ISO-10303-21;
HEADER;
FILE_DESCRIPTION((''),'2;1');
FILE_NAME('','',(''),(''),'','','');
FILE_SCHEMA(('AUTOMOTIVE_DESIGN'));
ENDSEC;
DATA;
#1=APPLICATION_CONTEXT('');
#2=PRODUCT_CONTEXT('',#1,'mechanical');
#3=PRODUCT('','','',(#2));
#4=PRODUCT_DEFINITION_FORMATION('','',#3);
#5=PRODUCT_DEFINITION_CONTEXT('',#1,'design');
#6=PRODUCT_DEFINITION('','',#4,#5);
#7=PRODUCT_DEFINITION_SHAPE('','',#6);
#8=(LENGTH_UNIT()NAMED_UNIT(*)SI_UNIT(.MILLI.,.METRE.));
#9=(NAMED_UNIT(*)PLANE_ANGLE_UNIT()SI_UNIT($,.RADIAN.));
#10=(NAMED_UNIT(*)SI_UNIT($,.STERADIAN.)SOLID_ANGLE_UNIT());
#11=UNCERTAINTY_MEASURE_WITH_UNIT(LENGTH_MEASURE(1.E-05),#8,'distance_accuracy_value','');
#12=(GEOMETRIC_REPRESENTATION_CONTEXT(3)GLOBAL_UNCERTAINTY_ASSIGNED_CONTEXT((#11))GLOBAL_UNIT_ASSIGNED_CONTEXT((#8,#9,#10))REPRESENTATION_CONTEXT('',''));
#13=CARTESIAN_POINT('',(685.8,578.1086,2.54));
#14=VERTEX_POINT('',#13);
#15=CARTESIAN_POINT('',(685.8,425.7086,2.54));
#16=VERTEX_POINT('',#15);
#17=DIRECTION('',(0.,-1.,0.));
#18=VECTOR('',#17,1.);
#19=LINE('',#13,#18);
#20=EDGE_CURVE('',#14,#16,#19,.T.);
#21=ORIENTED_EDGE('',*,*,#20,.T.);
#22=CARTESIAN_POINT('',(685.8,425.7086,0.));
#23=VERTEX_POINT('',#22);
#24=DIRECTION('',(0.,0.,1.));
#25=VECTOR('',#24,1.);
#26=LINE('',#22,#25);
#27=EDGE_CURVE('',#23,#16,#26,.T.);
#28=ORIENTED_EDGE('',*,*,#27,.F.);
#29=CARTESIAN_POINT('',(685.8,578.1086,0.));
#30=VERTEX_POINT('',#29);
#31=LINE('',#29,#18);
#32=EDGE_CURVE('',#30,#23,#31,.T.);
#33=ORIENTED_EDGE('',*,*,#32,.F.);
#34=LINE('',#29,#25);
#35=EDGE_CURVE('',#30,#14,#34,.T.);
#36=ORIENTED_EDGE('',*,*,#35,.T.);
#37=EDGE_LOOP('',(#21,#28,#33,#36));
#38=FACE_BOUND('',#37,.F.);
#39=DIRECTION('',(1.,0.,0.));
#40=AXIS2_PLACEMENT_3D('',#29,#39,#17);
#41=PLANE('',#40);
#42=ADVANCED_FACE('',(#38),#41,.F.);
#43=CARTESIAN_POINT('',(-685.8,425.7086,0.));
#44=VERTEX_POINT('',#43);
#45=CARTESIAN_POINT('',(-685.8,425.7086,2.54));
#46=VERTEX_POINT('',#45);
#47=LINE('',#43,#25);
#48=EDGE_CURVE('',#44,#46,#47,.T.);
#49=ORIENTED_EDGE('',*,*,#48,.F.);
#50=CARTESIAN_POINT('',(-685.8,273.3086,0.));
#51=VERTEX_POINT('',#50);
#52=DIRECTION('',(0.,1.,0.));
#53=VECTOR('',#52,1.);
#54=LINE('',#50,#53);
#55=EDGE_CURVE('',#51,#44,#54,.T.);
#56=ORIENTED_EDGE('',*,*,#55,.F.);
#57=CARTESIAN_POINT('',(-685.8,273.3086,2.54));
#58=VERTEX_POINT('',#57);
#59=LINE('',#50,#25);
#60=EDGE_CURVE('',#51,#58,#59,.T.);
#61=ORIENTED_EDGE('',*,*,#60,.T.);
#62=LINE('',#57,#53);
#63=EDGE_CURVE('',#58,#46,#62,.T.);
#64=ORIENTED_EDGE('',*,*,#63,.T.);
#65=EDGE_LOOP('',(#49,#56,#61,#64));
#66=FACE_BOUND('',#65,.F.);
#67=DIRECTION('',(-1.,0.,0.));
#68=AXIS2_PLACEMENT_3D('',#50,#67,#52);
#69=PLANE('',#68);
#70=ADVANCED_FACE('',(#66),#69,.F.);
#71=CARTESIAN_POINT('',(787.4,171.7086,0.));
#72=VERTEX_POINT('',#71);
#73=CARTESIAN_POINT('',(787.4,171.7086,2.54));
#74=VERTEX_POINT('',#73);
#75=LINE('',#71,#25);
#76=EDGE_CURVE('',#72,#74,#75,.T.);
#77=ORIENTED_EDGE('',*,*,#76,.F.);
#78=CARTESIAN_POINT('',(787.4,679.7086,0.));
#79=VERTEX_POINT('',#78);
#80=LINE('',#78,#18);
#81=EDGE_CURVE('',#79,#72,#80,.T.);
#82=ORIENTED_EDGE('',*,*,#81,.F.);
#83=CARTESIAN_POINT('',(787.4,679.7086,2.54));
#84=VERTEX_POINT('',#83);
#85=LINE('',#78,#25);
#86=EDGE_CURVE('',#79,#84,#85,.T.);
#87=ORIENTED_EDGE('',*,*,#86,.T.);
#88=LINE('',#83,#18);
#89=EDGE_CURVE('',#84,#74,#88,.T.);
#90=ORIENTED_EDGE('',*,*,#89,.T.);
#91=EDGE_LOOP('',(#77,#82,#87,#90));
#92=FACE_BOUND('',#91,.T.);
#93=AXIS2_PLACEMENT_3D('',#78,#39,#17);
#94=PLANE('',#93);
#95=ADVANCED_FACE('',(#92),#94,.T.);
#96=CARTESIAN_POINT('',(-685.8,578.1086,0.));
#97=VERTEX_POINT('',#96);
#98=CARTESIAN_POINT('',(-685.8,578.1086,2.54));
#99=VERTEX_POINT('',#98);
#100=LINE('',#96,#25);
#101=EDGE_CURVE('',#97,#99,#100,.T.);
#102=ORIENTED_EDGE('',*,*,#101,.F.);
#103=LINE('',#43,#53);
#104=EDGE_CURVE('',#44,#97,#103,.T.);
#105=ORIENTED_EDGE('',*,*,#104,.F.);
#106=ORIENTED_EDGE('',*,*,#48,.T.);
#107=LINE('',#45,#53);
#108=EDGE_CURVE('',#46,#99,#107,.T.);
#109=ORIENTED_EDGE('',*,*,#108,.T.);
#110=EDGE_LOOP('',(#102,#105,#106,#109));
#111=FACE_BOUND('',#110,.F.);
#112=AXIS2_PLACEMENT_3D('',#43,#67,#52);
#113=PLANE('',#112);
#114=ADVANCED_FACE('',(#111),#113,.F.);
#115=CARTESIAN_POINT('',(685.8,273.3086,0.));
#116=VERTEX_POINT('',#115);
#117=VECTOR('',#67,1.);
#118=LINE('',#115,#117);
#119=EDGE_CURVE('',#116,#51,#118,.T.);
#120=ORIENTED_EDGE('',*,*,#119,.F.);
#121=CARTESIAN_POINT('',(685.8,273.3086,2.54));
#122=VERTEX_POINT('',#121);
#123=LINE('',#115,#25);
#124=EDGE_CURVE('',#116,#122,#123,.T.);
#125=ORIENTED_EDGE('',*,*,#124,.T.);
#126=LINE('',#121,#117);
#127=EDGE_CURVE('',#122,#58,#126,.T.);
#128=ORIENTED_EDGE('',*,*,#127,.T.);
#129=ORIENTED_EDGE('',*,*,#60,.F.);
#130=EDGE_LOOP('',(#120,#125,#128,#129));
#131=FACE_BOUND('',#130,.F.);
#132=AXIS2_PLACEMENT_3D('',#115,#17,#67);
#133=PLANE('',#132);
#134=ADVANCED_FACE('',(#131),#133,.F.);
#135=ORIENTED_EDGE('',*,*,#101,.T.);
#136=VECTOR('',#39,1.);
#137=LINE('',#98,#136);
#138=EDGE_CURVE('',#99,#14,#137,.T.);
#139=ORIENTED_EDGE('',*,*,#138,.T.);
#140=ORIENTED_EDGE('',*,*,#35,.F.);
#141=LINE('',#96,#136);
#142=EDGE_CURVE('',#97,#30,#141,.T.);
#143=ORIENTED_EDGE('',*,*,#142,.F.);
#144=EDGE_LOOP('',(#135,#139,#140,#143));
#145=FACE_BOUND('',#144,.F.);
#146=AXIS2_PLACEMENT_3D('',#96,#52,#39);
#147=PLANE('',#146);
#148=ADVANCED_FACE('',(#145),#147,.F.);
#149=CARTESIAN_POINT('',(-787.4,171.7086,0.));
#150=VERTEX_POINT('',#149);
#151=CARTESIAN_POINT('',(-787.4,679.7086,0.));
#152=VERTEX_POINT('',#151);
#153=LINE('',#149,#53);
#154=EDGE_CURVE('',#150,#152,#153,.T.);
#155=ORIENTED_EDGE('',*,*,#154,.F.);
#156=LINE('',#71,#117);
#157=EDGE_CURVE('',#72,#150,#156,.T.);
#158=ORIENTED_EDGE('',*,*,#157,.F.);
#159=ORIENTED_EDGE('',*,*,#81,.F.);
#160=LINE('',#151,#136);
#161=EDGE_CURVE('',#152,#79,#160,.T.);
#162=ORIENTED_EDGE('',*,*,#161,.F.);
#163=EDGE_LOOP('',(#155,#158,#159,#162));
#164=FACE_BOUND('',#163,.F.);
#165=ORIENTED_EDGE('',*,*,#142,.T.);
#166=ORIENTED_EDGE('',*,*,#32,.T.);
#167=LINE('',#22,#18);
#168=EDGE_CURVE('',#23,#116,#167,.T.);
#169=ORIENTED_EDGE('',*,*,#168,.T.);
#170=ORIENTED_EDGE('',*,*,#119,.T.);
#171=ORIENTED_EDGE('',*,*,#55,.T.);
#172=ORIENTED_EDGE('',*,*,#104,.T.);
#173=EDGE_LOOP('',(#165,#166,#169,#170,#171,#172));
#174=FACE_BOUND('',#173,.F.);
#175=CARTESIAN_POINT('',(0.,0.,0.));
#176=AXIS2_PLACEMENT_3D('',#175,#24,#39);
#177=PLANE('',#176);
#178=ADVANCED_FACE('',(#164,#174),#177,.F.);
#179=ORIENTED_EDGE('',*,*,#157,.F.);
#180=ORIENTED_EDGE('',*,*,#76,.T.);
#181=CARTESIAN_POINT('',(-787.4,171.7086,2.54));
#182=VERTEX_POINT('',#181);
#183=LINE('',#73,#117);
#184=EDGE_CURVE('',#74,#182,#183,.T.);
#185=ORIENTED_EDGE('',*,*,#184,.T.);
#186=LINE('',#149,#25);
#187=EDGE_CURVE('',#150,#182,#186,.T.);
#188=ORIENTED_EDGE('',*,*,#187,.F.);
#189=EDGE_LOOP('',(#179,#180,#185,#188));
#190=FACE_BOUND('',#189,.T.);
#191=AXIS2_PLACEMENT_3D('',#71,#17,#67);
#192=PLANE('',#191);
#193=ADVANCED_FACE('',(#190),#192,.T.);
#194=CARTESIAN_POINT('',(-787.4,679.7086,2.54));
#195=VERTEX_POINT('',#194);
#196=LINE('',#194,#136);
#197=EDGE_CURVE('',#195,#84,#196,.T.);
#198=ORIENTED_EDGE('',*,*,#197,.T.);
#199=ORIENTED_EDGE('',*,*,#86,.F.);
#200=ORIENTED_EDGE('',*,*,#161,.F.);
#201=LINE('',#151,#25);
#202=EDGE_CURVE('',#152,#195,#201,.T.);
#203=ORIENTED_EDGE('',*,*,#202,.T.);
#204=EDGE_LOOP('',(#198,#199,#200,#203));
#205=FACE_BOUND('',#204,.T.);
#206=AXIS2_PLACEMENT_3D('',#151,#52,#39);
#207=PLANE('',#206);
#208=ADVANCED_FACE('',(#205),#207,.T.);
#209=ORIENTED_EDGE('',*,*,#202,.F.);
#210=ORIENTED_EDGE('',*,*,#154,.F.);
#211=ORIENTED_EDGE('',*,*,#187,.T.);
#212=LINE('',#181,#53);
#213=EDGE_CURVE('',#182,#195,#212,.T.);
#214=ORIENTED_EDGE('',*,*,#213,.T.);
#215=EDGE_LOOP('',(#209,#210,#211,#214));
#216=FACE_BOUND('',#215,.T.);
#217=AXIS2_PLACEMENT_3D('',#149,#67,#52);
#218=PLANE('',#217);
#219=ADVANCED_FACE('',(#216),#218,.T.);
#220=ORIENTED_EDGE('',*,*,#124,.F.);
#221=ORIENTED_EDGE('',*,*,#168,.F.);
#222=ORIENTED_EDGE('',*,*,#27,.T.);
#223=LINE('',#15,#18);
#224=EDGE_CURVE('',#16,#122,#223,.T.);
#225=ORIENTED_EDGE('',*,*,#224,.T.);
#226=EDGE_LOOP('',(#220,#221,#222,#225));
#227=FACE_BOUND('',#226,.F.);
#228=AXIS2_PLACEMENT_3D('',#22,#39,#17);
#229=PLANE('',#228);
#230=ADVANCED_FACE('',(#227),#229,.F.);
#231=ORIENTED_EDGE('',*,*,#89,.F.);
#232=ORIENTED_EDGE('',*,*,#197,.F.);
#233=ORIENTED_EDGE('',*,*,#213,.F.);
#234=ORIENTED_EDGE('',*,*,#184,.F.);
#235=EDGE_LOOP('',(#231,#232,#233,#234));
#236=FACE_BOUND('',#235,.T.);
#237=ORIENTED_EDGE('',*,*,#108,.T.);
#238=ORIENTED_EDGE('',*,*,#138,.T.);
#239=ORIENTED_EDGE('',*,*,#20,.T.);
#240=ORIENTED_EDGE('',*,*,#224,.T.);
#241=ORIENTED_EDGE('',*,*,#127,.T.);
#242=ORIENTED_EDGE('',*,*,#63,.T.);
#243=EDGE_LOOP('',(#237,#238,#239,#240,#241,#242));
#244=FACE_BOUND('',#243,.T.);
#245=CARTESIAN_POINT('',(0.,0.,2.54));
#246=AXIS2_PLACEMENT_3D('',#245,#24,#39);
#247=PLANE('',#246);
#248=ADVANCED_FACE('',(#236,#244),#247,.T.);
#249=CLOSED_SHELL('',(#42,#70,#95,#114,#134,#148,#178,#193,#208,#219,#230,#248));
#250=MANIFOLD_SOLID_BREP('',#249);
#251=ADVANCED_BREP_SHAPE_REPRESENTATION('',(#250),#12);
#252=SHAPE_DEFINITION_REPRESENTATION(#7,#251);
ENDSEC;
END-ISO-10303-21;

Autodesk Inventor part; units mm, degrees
ref_plane "YZ Plane" through (0, 0, 0) normal (1, 0, 0) x (0, 1, 0)
ref_plane "XZ Plane" through (0, 0, 0) normal (0, 1, 0) x (-1, 0, 0)
ref_plane "XY Plane" through (0, 0, 0) normal (0, 0, 1) x (1, 0, 0)
ref_plane "Work Plane1" through (0, 0, 0) normal (0, 0, 1) x (1, 0, 0)
sketch "Sketch1" plane through (0, 0, 0) normal (0, 0, 1) x (1, 0, 0)
  line L0 (685.8, 273.3086) -> (-685.8, 273.3086) projected
  line L1 (685.8, 425.7086) -> (685.8, 273.3086) projected
  line L2 (685.8, 578.1086) -> (685.8, 425.7086) projected
  line L3 (-685.8, 578.1086) -> (685.8, 578.1086) projected
  line L4 (-685.8, 425.7086) -> (-685.8, 578.1086) projected
  line L5 (-685.8, 273.3086) -> (-685.8, 425.7086) projected
  line L6 (685.8, 578.1086) -> (-685.8, 578.1086)
  line L7 (-685.8, 578.1086) -> (-685.8, 273.3086)
  line L8 (-685.8, 273.3086) -> (685.8, 273.3086)
  line L9 (685.8, 273.3086) -> (685.8, 578.1086)
  line L10 (787.4, 171.7086) -> (-787.4, 171.7086)
  line L11 (-787.4, 171.7086) -> (-787.4, 679.7086)
  line L12 (-787.4, 679.7086) -> (787.4, 679.7086)
  line L13 (787.4, 679.7086) -> (787.4, 171.7086)
  point P0 (0, 0)
  dimension "d0" = 101.6
extrude "Extrusion1" add sketch "Sketch1" along normal blind 2.54
properties part number "ReflectiveImage01" material "Polycarbonate, Clear"
